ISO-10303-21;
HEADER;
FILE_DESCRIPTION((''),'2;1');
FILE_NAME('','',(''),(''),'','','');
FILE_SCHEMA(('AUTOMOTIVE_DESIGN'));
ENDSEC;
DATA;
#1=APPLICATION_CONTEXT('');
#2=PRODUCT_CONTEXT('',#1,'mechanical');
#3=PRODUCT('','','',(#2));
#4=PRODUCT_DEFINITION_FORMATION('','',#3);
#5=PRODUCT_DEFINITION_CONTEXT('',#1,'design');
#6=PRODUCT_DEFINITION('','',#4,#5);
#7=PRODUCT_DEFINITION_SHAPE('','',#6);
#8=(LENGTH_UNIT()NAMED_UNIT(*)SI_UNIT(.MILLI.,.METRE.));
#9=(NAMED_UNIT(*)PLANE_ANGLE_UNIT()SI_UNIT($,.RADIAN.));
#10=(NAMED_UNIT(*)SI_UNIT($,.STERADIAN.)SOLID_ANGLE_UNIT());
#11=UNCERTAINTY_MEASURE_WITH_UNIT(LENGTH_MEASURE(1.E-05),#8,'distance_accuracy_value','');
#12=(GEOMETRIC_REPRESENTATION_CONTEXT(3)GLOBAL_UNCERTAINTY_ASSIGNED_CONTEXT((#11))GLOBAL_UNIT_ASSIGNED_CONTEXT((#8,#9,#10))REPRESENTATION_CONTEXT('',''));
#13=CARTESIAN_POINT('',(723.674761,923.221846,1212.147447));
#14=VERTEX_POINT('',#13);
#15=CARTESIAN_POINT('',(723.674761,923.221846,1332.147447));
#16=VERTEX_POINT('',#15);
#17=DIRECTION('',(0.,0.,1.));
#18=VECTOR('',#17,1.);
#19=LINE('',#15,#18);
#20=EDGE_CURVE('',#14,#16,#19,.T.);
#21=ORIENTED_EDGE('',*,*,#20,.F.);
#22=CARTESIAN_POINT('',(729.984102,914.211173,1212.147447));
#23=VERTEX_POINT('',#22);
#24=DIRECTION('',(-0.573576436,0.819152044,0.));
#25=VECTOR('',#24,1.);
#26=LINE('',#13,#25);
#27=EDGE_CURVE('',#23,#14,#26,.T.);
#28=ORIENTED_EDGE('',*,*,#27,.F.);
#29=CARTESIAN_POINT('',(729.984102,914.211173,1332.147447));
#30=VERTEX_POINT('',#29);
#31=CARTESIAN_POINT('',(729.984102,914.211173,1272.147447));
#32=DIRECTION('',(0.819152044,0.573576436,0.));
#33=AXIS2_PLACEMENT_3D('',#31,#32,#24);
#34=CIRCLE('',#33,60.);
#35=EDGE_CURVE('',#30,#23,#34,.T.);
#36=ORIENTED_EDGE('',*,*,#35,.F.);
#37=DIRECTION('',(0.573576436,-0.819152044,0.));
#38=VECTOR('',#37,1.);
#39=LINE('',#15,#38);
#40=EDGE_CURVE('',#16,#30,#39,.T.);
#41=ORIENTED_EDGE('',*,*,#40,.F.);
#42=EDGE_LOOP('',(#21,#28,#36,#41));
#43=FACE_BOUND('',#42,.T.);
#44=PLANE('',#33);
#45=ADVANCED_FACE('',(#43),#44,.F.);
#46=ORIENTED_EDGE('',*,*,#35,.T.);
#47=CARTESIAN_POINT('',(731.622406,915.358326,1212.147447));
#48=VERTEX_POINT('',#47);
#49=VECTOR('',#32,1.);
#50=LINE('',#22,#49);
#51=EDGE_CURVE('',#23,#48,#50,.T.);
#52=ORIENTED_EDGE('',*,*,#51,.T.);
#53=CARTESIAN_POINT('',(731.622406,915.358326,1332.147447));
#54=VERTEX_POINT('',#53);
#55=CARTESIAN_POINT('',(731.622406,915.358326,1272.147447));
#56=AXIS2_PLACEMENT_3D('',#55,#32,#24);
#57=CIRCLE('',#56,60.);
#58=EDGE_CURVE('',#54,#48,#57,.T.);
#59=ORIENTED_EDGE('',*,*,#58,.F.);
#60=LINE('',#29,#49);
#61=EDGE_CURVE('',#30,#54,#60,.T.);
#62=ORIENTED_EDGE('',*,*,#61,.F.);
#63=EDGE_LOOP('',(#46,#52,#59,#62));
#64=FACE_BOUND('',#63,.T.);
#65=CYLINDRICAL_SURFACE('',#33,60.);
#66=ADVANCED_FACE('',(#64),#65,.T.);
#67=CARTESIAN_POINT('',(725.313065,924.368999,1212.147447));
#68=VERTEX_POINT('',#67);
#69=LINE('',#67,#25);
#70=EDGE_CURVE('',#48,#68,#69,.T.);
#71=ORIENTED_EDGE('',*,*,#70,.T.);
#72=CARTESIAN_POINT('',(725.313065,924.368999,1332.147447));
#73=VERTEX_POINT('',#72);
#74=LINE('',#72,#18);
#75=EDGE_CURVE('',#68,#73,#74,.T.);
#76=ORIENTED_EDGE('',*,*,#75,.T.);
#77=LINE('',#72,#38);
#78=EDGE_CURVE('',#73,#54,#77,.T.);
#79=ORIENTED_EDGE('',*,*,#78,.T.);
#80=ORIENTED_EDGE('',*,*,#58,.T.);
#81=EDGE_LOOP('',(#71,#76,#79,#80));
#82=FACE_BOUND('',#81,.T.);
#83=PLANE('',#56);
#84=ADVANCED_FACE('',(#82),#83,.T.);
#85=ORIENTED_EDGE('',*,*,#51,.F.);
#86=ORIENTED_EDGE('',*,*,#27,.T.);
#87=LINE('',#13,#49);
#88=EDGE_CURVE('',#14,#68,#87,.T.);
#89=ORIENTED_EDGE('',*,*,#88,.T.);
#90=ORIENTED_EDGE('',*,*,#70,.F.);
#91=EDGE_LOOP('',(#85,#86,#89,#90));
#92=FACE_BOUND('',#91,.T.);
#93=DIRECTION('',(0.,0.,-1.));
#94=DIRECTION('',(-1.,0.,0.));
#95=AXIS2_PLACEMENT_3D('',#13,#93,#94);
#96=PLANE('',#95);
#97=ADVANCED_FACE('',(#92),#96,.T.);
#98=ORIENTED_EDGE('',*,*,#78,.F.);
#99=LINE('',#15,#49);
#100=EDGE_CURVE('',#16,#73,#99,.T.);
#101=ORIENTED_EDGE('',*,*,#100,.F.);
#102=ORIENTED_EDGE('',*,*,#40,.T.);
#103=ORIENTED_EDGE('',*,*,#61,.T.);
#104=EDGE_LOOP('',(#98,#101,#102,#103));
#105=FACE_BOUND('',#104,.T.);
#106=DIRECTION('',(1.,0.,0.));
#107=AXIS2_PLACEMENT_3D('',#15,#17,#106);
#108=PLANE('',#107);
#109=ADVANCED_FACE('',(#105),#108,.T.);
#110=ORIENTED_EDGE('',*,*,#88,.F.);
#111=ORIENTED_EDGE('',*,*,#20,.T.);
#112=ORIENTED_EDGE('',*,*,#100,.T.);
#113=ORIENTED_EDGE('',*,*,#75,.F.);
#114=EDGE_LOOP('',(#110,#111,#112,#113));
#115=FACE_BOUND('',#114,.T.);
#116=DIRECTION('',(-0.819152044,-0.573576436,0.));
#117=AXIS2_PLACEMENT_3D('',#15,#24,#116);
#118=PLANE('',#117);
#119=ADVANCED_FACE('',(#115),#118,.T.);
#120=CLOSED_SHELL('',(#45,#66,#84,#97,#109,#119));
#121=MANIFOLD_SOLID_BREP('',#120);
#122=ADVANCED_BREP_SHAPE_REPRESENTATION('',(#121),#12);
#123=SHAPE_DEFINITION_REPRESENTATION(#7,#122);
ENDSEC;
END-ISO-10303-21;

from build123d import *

# Parameters (mm, degrees)
BOSS_EXTRUDE1_DEPTH = 2


with BuildPart() as part:
    # Sketch2 → Boss-Extrude1 (new body)
    with BuildSketch(Plane(origin=(921.003735097, 644.893758034, 0), x_dir=(0, 0, -1), z_dir=(0.819152044288993, 0.5735764363510445, 0))):
        with BuildLine():
            Line((-1332.147446744, 341.176271901), (-1332.147446744, 330.176271901))
            ThreePointArc((-1332.147446744, 330.176271901), (-1272.147446744, 270.176271901), (-1212.147446744, 330.176271901))
            Line((-1212.147446744, 330.176271901), (-1212.147446744, 341.176271901))
            Line((-1212.147446744, 341.176271901), (-1332.147446744, 341.176271901))
        make_face()
    extrude(amount=-BOSS_EXTRUDE1_DEPTH)


solid = part.part
